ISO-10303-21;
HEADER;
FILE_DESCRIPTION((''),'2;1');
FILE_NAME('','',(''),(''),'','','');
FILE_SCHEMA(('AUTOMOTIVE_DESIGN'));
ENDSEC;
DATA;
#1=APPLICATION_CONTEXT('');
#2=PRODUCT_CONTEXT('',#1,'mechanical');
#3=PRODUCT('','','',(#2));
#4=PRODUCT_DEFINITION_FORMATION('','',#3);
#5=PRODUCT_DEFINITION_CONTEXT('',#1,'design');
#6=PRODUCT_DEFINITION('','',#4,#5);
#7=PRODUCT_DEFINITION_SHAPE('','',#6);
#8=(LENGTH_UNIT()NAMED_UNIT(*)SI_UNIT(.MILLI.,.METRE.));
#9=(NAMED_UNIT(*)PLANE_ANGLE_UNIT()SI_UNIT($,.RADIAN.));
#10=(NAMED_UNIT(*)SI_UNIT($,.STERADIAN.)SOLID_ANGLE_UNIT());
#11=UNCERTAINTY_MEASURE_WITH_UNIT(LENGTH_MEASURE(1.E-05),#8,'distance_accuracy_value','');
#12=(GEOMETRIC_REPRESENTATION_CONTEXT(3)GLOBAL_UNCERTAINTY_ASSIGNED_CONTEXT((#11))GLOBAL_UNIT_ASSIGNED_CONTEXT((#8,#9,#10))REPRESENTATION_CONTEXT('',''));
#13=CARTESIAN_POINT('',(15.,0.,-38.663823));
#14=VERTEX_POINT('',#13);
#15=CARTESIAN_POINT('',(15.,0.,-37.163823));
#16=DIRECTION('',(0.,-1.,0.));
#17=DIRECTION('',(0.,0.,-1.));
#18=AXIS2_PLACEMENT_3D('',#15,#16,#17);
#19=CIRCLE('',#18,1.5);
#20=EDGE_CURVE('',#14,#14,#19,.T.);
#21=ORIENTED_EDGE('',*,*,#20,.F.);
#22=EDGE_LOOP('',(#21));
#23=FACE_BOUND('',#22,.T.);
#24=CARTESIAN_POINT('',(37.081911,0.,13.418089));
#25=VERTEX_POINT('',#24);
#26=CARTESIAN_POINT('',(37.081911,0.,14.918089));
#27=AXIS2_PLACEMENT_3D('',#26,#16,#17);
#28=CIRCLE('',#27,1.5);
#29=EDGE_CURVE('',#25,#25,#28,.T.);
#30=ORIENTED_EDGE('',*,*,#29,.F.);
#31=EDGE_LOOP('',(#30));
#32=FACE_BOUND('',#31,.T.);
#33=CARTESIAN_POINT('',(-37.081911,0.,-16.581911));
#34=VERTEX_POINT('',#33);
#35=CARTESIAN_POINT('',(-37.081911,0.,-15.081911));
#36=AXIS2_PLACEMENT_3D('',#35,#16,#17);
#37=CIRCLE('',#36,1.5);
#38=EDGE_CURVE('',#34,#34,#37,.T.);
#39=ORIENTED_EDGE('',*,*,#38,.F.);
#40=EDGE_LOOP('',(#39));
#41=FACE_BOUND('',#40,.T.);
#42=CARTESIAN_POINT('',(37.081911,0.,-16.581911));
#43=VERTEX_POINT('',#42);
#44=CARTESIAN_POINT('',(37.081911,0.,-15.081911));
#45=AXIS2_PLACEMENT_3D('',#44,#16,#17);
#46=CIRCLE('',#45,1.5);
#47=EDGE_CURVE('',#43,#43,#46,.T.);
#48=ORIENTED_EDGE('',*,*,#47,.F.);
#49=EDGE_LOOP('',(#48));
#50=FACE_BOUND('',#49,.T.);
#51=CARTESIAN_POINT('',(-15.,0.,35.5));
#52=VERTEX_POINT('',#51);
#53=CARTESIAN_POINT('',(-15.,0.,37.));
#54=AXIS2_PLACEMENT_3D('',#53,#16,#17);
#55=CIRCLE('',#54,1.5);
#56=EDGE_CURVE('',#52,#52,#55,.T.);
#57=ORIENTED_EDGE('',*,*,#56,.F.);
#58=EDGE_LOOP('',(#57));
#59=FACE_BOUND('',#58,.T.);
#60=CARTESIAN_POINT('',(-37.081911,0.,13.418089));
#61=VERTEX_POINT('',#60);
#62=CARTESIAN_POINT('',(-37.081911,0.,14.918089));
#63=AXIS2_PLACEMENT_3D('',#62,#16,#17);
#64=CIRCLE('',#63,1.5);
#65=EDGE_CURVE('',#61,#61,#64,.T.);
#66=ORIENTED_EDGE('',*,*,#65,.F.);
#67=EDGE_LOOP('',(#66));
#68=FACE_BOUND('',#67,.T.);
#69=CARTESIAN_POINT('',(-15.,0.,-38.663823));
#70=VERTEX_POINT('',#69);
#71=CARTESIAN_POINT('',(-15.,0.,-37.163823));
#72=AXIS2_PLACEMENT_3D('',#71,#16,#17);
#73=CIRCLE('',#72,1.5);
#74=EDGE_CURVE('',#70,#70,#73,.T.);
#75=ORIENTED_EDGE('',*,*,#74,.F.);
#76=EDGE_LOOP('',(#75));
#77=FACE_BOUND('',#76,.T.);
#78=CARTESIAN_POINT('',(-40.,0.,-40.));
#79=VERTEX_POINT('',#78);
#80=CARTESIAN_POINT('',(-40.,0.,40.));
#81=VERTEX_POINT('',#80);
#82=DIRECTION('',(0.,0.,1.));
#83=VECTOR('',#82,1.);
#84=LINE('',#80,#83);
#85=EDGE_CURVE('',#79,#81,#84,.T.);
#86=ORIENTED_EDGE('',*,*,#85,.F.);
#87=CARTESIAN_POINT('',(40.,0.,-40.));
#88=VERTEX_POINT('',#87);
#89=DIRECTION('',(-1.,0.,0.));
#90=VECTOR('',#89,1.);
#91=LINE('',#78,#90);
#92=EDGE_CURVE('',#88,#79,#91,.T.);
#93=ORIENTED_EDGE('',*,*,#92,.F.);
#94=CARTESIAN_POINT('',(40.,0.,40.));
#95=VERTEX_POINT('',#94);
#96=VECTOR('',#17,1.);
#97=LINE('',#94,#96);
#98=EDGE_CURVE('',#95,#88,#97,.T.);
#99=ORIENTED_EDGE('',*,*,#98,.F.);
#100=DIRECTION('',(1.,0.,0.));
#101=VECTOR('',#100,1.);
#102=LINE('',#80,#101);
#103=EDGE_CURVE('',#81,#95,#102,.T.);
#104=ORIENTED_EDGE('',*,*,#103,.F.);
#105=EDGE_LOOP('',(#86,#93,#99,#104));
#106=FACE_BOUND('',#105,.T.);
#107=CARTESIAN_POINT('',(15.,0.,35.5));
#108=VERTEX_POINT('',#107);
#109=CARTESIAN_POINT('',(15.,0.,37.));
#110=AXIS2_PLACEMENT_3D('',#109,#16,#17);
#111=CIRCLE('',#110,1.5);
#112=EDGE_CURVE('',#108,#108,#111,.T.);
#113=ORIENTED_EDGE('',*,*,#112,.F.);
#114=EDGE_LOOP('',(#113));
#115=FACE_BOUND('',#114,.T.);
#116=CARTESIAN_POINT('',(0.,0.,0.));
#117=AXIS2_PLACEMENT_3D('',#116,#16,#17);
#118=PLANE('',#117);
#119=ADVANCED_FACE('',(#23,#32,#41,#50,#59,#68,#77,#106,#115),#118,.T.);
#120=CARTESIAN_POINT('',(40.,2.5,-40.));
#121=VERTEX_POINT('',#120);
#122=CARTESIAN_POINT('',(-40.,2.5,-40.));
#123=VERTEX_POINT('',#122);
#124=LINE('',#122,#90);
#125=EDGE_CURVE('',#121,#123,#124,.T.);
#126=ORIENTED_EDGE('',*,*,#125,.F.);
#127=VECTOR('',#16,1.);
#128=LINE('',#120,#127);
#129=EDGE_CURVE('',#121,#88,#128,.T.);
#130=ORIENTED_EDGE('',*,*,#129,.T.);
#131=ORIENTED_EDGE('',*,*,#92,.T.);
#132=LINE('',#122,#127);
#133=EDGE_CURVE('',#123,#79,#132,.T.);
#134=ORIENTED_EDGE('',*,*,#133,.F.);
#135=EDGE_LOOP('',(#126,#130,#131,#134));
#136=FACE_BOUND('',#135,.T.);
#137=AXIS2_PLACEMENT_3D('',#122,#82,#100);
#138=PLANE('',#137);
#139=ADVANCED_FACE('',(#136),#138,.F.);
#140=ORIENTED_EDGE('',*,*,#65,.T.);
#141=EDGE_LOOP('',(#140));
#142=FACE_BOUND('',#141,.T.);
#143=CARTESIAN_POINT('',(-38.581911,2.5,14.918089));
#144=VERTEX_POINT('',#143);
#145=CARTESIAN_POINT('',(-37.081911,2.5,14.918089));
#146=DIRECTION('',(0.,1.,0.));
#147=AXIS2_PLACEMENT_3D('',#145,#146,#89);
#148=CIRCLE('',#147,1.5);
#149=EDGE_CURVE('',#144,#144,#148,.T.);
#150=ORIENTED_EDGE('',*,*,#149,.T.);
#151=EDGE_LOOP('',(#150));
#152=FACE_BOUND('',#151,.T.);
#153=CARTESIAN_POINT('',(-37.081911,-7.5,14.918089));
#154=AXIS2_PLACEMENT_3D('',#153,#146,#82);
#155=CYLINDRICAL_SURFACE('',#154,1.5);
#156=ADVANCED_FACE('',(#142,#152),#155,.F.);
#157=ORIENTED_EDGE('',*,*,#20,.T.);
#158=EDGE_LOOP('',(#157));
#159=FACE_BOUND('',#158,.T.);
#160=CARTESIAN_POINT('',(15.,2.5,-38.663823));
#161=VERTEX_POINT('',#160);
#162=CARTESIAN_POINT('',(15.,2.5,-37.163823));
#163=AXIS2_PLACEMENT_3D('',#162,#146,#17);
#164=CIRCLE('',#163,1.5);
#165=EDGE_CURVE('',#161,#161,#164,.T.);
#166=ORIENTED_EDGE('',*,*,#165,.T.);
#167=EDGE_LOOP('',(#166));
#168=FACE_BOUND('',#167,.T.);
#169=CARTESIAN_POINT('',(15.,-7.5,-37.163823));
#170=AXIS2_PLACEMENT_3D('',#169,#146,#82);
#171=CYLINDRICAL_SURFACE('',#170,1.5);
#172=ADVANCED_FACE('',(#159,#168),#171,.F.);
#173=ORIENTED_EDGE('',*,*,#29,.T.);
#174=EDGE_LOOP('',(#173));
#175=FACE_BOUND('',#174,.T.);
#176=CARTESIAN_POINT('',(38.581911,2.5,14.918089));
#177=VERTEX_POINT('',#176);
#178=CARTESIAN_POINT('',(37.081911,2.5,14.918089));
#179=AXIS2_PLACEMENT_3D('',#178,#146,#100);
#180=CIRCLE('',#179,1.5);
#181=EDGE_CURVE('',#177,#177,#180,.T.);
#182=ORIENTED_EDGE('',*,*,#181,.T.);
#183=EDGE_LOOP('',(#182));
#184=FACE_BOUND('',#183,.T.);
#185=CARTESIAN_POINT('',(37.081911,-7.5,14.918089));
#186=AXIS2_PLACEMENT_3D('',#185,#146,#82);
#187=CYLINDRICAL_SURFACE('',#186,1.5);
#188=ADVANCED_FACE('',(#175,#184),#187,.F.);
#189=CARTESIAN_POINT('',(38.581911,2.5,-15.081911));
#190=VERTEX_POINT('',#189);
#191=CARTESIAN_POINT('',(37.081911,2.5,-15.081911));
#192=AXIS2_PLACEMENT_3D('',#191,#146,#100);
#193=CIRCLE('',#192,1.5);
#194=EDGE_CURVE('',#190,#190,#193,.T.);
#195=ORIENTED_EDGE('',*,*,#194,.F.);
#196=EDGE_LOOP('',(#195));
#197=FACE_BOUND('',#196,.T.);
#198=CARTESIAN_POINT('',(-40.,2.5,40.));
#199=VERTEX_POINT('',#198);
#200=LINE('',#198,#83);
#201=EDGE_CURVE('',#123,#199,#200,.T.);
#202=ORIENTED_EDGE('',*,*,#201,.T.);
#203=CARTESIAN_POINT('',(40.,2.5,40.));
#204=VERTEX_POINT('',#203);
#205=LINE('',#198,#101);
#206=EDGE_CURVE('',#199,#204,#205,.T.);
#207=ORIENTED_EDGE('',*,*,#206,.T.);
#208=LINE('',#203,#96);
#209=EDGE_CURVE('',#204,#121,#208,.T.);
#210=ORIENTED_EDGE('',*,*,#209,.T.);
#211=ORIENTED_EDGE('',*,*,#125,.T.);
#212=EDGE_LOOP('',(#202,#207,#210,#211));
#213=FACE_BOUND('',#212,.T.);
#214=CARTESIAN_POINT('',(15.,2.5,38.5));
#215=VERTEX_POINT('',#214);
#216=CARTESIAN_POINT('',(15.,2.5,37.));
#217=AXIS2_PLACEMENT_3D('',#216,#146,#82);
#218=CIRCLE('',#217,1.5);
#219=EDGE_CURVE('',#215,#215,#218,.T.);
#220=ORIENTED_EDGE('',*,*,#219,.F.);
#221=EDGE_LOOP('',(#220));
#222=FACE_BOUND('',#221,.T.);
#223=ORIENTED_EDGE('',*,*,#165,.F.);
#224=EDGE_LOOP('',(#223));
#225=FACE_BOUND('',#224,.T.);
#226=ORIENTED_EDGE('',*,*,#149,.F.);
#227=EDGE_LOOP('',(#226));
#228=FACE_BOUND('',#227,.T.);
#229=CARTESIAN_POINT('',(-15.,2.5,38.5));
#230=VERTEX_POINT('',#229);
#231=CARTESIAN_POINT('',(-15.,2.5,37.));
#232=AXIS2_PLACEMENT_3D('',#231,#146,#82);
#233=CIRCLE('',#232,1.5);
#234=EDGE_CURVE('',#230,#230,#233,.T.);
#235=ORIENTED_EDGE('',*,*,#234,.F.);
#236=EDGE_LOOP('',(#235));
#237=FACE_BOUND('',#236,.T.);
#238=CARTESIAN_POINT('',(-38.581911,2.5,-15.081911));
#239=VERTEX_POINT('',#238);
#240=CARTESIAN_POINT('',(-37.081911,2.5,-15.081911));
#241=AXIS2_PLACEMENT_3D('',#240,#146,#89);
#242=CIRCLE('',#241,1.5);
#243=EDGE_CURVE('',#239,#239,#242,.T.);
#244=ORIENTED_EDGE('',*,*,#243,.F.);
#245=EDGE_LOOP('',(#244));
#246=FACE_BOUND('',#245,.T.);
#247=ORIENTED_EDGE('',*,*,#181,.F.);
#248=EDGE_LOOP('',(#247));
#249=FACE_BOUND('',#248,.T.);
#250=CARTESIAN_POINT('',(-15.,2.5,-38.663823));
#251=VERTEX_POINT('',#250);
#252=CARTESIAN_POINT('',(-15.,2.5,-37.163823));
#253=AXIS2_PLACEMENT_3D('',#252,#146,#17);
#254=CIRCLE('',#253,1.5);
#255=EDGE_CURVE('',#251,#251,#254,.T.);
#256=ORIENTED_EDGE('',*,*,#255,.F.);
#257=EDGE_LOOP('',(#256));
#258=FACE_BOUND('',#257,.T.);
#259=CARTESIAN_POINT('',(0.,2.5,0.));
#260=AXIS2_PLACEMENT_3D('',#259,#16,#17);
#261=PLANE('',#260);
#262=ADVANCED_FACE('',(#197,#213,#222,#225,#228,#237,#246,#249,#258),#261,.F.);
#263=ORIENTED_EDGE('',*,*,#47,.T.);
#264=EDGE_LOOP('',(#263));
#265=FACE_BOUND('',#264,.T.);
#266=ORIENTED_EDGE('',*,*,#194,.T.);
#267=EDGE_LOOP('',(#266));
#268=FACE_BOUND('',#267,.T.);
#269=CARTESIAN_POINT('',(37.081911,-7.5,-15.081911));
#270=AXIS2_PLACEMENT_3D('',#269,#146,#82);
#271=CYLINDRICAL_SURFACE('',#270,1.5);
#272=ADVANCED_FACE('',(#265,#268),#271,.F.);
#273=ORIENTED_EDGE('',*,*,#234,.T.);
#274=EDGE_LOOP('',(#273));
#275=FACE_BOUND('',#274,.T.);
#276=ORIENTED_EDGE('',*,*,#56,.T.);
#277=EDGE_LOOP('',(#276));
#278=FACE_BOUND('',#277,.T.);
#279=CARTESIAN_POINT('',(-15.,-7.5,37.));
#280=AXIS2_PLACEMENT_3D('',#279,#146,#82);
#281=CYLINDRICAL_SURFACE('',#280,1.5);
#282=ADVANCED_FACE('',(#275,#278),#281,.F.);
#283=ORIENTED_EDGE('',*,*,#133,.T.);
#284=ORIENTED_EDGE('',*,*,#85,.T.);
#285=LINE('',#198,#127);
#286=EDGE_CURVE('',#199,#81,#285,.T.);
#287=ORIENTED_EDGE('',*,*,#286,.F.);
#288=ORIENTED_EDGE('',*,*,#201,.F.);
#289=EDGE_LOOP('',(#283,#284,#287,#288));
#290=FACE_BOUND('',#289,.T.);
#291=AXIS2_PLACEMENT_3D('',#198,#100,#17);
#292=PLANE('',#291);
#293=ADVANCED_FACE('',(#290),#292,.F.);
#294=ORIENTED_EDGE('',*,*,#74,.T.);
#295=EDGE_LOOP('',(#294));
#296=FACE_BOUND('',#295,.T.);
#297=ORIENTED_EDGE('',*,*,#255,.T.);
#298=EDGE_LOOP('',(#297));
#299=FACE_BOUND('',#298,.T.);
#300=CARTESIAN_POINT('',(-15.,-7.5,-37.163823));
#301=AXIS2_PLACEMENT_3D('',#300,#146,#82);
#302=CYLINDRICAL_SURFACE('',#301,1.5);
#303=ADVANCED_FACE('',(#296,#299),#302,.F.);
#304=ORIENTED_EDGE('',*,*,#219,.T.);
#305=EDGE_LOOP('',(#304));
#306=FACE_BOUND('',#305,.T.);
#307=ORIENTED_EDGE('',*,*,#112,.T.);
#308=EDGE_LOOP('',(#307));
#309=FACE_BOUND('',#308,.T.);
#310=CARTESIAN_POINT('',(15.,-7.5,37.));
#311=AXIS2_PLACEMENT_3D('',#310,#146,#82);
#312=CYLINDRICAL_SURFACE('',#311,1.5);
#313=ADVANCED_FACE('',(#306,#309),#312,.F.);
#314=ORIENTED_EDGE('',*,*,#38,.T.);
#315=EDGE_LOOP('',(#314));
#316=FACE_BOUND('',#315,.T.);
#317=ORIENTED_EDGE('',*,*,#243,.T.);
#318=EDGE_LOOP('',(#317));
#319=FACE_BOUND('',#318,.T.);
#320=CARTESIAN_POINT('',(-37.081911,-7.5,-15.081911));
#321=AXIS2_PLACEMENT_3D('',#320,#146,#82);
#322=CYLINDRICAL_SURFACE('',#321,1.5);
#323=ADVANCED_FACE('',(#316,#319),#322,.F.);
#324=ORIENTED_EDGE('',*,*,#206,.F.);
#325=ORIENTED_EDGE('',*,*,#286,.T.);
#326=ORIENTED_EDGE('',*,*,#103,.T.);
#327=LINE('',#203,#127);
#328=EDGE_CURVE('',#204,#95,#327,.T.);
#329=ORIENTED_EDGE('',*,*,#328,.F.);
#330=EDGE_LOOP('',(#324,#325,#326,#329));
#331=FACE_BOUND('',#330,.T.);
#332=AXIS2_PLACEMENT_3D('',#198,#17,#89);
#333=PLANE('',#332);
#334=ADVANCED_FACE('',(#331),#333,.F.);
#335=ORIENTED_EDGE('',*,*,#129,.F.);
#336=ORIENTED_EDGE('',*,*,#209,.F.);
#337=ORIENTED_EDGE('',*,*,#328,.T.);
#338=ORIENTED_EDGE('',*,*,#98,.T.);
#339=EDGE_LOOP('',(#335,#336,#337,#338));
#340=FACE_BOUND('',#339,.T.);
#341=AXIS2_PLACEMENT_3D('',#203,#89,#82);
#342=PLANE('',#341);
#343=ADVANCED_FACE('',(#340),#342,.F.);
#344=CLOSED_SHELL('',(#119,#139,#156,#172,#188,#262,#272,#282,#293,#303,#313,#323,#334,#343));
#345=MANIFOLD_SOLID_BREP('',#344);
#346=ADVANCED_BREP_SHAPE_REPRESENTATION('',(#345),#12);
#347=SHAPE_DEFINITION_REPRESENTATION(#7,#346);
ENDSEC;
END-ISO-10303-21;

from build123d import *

# Parameters (mm, degrees)
SKETCH_1_W               = 80
SKETCH_1_H               = 80
EXTRUDE_1_DEPTH          = 2.5
SKETCH_2_R               = 1.5
CUT_EXTRUDE_1_DEPTH      = 10
PATTERN_CIRCULAR_1_COUNT = 4


with BuildPart() as part:
    # Эскиз1 → Бобышка-Вытянуть1 (new body)
    with BuildSketch(Plane(origin=(0, 0, 0), x_dir=(1, 0, 0), z_dir=(0, 1, 0))):
        Rectangle(SKETCH_1_W, SKETCH_1_H)
    extrude(amount=EXTRUDE_1_DEPTH)

    # Эскиз2 → Вырез-Вытянуть1 (cut)
    with BuildSketch(Plane(origin=(0, 2.5, 0), x_dir=(1, 0, 0), z_dir=(0, 1, 0))):
        with Locations(Location((-15, -37, 0), (0, 0, 270))):
            Circle(SKETCH_2_R)
        with Locations(Location((15, -37, 0), (0, 0, 270))):
            Circle(SKETCH_2_R)
    cut_extrude_1 = extrude(amount=-CUT_EXTRUDE_1_DEPTH, mode=Mode.SUBTRACT)

    # Круговой массив1: Вырез-Вытянуть1 ×4 about axis
    pattern_circular_1_axis = Axis((0, 0, -0.081911433), (0, 1, 0))
    for i in range(1, PATTERN_CIRCULAR_1_COUNT):
        add(cut_extrude_1.rotate(pattern_circular_1_axis, i * 360 / PATTERN_CIRCULAR_1_COUNT), mode=Mode.SUBTRACT)


solid = part.part
